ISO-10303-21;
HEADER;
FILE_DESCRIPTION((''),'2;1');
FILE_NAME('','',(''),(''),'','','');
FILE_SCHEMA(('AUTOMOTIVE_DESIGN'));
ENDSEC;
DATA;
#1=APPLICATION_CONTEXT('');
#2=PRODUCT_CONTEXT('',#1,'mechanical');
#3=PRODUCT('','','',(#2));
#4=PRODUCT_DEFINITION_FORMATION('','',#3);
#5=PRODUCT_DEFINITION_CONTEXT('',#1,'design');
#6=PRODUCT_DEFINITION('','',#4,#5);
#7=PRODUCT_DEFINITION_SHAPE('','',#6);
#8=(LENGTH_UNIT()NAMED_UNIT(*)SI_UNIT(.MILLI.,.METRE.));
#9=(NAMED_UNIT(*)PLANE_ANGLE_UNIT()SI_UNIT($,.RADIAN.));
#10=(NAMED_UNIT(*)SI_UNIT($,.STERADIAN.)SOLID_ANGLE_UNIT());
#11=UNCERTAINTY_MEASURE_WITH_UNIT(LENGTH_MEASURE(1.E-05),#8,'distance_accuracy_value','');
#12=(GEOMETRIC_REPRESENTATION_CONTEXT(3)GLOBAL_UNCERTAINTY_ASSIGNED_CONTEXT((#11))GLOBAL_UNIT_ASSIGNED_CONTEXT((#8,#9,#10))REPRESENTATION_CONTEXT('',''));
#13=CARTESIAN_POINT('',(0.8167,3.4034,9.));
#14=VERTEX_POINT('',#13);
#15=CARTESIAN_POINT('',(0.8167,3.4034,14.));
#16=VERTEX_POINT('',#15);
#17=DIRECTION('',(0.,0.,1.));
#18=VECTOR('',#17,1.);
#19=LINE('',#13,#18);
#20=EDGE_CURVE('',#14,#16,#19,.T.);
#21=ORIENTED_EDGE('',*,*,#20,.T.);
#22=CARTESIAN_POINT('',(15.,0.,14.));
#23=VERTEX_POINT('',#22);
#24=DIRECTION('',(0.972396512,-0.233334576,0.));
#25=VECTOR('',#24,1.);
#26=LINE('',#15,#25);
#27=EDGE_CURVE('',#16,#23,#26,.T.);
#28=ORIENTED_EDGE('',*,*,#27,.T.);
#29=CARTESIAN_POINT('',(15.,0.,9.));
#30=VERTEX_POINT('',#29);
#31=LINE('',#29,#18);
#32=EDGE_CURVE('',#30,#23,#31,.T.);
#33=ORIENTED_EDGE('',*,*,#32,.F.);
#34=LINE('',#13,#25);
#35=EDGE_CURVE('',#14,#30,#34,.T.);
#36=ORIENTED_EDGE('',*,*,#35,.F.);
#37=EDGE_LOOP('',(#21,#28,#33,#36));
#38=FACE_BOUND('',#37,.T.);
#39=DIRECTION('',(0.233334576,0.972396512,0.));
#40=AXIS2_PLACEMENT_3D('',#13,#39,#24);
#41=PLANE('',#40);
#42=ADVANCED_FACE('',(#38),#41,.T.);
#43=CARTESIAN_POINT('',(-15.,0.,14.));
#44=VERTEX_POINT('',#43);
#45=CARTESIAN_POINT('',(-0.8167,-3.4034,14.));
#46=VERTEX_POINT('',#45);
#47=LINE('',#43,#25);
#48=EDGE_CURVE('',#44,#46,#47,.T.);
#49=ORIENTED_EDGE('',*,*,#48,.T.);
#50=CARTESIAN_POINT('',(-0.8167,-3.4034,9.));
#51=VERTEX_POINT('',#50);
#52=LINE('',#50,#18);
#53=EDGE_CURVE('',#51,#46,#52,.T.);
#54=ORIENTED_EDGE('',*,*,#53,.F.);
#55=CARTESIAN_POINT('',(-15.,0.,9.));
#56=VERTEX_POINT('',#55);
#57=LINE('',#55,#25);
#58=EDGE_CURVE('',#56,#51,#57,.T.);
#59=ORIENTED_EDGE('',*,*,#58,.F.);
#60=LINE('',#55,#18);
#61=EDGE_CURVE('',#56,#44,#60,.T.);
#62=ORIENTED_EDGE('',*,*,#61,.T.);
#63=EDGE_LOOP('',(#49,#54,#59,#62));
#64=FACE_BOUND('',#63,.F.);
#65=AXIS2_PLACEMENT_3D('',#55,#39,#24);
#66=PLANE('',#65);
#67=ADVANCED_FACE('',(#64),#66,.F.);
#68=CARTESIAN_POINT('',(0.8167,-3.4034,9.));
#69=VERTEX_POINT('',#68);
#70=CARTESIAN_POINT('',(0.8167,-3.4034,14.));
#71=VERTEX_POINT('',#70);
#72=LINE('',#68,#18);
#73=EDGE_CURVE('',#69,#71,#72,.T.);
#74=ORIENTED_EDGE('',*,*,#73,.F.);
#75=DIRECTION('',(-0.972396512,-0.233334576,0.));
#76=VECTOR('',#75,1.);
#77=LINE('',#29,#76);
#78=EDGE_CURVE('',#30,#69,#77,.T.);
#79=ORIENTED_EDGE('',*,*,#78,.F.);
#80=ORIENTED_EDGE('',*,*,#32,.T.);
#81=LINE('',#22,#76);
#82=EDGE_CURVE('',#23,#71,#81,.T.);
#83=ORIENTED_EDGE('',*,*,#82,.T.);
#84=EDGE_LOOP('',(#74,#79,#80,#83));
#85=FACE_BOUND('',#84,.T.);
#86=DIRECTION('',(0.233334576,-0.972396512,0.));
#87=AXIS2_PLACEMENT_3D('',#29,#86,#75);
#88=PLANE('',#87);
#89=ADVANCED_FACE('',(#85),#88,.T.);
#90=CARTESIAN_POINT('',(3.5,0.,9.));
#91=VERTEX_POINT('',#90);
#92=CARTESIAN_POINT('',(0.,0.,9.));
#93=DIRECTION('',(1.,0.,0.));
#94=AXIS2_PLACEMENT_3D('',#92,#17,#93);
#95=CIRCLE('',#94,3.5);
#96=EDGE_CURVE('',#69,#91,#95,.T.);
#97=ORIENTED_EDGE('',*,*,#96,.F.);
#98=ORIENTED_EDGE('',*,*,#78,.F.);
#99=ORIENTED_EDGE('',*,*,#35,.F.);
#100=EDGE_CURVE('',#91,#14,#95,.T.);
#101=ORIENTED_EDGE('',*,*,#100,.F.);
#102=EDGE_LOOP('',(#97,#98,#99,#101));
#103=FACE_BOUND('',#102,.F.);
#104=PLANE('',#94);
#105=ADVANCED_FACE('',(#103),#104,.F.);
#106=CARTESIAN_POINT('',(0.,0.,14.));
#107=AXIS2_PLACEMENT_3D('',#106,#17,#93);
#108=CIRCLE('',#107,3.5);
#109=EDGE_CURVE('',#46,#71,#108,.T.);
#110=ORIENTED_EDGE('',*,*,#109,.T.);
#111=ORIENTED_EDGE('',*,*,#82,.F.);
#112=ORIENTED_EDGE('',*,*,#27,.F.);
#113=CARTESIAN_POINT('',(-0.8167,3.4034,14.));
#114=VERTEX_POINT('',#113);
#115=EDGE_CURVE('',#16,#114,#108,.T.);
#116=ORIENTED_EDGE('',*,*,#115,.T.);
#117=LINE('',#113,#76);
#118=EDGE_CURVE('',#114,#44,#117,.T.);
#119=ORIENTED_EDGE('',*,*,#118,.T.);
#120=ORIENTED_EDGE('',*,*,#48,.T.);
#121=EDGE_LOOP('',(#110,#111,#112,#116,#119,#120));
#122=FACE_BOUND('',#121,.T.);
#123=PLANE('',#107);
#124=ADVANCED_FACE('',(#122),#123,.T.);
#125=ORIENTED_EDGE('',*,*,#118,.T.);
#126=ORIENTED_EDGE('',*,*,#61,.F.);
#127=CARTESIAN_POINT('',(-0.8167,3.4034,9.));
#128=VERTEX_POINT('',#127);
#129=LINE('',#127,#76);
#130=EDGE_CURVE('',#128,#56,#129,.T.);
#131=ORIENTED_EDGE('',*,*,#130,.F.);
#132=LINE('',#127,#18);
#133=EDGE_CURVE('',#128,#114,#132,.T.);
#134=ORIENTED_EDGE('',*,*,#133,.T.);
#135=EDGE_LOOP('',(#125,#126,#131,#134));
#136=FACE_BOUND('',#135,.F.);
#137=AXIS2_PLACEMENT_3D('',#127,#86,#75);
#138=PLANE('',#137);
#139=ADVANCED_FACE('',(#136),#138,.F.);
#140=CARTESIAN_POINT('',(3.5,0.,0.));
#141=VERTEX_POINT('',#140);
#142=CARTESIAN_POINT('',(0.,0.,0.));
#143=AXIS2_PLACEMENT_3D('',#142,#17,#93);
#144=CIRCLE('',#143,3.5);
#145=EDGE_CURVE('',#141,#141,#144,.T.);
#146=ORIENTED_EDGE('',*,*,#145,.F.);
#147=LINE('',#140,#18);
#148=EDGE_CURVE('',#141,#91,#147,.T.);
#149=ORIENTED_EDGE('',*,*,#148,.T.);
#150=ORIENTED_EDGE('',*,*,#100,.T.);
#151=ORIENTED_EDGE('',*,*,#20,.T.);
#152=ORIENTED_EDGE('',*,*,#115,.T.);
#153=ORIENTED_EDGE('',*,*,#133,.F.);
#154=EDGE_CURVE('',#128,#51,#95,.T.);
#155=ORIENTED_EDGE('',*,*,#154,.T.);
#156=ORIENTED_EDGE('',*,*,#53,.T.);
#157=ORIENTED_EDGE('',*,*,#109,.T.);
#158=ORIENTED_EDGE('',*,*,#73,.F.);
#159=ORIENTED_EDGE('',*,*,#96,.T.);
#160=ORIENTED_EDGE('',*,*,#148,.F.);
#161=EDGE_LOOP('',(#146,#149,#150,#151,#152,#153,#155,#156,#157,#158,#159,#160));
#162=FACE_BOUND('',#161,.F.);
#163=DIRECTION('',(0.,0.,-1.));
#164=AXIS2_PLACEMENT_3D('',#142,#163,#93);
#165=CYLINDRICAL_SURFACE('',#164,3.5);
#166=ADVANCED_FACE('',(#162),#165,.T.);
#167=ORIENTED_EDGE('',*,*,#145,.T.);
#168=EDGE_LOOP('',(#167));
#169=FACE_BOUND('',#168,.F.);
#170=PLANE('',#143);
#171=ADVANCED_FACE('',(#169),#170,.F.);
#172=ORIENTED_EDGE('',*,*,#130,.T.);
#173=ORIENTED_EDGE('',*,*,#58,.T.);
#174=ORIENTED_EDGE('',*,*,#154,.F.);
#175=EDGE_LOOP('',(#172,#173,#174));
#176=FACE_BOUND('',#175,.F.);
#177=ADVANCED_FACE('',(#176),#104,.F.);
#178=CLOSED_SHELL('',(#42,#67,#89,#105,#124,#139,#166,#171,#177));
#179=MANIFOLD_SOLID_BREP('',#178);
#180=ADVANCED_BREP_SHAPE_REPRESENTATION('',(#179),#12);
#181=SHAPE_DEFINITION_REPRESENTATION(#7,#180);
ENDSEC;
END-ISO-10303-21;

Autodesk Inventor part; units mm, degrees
ref_plane "YZ Plane" through (0, 0, 0) normal (1, 0, 0) x (0, 1, 0)
ref_plane "XZ Plane" through (0, 0, 0) normal (0, 1, 0) x (-1, 0, 0)
ref_plane "XY Plane" through (0, 0, 0) normal (0, 0, 1) x (1, 0, 0)
sketch "Sketch1" plane through (0, 0, 0) normal (0, 0, 1) x (1, 0, 0)
  circle A0 centre (0, 0) radius 3.5
  dimension "d0" = 7
extrude "Extrusion1" add sketch "Sketch1" along normal blind 9
sketch "Sketch2" plane through (0, 0, 9) normal (0, 0, 1) x (1, 0, 0)
  circle A0 centre (0, 0) radius 3.5 projected
  circle A1 centre (0, 0) radius 3.5 projected
  line L0 (-0.8167, 3.4034) -> (-15, 0)
  line L1 (-15, 0) -> (-0.8167, -3.4034)
  line L2 (0.8167, 3.4034) -> (15, 0)
  line L3 (15, 0) -> (0.8167, -3.4034)
  circle A2 centre (0, 0) radius 3.5 projected
  circle A3 centre (0, 0) radius 3.5
  point P0 (0.8167, 3.4034)
  point P1 (-0.8167, 3.4034)
  point P2 (-0.8167, -3.4034)
  point P3 (0.8167, -3.4034)
  dimension "d3" = 30
extrude "Extrusion2" add sketch "Sketch2" along normal blind 5
properties part number "Leg"
